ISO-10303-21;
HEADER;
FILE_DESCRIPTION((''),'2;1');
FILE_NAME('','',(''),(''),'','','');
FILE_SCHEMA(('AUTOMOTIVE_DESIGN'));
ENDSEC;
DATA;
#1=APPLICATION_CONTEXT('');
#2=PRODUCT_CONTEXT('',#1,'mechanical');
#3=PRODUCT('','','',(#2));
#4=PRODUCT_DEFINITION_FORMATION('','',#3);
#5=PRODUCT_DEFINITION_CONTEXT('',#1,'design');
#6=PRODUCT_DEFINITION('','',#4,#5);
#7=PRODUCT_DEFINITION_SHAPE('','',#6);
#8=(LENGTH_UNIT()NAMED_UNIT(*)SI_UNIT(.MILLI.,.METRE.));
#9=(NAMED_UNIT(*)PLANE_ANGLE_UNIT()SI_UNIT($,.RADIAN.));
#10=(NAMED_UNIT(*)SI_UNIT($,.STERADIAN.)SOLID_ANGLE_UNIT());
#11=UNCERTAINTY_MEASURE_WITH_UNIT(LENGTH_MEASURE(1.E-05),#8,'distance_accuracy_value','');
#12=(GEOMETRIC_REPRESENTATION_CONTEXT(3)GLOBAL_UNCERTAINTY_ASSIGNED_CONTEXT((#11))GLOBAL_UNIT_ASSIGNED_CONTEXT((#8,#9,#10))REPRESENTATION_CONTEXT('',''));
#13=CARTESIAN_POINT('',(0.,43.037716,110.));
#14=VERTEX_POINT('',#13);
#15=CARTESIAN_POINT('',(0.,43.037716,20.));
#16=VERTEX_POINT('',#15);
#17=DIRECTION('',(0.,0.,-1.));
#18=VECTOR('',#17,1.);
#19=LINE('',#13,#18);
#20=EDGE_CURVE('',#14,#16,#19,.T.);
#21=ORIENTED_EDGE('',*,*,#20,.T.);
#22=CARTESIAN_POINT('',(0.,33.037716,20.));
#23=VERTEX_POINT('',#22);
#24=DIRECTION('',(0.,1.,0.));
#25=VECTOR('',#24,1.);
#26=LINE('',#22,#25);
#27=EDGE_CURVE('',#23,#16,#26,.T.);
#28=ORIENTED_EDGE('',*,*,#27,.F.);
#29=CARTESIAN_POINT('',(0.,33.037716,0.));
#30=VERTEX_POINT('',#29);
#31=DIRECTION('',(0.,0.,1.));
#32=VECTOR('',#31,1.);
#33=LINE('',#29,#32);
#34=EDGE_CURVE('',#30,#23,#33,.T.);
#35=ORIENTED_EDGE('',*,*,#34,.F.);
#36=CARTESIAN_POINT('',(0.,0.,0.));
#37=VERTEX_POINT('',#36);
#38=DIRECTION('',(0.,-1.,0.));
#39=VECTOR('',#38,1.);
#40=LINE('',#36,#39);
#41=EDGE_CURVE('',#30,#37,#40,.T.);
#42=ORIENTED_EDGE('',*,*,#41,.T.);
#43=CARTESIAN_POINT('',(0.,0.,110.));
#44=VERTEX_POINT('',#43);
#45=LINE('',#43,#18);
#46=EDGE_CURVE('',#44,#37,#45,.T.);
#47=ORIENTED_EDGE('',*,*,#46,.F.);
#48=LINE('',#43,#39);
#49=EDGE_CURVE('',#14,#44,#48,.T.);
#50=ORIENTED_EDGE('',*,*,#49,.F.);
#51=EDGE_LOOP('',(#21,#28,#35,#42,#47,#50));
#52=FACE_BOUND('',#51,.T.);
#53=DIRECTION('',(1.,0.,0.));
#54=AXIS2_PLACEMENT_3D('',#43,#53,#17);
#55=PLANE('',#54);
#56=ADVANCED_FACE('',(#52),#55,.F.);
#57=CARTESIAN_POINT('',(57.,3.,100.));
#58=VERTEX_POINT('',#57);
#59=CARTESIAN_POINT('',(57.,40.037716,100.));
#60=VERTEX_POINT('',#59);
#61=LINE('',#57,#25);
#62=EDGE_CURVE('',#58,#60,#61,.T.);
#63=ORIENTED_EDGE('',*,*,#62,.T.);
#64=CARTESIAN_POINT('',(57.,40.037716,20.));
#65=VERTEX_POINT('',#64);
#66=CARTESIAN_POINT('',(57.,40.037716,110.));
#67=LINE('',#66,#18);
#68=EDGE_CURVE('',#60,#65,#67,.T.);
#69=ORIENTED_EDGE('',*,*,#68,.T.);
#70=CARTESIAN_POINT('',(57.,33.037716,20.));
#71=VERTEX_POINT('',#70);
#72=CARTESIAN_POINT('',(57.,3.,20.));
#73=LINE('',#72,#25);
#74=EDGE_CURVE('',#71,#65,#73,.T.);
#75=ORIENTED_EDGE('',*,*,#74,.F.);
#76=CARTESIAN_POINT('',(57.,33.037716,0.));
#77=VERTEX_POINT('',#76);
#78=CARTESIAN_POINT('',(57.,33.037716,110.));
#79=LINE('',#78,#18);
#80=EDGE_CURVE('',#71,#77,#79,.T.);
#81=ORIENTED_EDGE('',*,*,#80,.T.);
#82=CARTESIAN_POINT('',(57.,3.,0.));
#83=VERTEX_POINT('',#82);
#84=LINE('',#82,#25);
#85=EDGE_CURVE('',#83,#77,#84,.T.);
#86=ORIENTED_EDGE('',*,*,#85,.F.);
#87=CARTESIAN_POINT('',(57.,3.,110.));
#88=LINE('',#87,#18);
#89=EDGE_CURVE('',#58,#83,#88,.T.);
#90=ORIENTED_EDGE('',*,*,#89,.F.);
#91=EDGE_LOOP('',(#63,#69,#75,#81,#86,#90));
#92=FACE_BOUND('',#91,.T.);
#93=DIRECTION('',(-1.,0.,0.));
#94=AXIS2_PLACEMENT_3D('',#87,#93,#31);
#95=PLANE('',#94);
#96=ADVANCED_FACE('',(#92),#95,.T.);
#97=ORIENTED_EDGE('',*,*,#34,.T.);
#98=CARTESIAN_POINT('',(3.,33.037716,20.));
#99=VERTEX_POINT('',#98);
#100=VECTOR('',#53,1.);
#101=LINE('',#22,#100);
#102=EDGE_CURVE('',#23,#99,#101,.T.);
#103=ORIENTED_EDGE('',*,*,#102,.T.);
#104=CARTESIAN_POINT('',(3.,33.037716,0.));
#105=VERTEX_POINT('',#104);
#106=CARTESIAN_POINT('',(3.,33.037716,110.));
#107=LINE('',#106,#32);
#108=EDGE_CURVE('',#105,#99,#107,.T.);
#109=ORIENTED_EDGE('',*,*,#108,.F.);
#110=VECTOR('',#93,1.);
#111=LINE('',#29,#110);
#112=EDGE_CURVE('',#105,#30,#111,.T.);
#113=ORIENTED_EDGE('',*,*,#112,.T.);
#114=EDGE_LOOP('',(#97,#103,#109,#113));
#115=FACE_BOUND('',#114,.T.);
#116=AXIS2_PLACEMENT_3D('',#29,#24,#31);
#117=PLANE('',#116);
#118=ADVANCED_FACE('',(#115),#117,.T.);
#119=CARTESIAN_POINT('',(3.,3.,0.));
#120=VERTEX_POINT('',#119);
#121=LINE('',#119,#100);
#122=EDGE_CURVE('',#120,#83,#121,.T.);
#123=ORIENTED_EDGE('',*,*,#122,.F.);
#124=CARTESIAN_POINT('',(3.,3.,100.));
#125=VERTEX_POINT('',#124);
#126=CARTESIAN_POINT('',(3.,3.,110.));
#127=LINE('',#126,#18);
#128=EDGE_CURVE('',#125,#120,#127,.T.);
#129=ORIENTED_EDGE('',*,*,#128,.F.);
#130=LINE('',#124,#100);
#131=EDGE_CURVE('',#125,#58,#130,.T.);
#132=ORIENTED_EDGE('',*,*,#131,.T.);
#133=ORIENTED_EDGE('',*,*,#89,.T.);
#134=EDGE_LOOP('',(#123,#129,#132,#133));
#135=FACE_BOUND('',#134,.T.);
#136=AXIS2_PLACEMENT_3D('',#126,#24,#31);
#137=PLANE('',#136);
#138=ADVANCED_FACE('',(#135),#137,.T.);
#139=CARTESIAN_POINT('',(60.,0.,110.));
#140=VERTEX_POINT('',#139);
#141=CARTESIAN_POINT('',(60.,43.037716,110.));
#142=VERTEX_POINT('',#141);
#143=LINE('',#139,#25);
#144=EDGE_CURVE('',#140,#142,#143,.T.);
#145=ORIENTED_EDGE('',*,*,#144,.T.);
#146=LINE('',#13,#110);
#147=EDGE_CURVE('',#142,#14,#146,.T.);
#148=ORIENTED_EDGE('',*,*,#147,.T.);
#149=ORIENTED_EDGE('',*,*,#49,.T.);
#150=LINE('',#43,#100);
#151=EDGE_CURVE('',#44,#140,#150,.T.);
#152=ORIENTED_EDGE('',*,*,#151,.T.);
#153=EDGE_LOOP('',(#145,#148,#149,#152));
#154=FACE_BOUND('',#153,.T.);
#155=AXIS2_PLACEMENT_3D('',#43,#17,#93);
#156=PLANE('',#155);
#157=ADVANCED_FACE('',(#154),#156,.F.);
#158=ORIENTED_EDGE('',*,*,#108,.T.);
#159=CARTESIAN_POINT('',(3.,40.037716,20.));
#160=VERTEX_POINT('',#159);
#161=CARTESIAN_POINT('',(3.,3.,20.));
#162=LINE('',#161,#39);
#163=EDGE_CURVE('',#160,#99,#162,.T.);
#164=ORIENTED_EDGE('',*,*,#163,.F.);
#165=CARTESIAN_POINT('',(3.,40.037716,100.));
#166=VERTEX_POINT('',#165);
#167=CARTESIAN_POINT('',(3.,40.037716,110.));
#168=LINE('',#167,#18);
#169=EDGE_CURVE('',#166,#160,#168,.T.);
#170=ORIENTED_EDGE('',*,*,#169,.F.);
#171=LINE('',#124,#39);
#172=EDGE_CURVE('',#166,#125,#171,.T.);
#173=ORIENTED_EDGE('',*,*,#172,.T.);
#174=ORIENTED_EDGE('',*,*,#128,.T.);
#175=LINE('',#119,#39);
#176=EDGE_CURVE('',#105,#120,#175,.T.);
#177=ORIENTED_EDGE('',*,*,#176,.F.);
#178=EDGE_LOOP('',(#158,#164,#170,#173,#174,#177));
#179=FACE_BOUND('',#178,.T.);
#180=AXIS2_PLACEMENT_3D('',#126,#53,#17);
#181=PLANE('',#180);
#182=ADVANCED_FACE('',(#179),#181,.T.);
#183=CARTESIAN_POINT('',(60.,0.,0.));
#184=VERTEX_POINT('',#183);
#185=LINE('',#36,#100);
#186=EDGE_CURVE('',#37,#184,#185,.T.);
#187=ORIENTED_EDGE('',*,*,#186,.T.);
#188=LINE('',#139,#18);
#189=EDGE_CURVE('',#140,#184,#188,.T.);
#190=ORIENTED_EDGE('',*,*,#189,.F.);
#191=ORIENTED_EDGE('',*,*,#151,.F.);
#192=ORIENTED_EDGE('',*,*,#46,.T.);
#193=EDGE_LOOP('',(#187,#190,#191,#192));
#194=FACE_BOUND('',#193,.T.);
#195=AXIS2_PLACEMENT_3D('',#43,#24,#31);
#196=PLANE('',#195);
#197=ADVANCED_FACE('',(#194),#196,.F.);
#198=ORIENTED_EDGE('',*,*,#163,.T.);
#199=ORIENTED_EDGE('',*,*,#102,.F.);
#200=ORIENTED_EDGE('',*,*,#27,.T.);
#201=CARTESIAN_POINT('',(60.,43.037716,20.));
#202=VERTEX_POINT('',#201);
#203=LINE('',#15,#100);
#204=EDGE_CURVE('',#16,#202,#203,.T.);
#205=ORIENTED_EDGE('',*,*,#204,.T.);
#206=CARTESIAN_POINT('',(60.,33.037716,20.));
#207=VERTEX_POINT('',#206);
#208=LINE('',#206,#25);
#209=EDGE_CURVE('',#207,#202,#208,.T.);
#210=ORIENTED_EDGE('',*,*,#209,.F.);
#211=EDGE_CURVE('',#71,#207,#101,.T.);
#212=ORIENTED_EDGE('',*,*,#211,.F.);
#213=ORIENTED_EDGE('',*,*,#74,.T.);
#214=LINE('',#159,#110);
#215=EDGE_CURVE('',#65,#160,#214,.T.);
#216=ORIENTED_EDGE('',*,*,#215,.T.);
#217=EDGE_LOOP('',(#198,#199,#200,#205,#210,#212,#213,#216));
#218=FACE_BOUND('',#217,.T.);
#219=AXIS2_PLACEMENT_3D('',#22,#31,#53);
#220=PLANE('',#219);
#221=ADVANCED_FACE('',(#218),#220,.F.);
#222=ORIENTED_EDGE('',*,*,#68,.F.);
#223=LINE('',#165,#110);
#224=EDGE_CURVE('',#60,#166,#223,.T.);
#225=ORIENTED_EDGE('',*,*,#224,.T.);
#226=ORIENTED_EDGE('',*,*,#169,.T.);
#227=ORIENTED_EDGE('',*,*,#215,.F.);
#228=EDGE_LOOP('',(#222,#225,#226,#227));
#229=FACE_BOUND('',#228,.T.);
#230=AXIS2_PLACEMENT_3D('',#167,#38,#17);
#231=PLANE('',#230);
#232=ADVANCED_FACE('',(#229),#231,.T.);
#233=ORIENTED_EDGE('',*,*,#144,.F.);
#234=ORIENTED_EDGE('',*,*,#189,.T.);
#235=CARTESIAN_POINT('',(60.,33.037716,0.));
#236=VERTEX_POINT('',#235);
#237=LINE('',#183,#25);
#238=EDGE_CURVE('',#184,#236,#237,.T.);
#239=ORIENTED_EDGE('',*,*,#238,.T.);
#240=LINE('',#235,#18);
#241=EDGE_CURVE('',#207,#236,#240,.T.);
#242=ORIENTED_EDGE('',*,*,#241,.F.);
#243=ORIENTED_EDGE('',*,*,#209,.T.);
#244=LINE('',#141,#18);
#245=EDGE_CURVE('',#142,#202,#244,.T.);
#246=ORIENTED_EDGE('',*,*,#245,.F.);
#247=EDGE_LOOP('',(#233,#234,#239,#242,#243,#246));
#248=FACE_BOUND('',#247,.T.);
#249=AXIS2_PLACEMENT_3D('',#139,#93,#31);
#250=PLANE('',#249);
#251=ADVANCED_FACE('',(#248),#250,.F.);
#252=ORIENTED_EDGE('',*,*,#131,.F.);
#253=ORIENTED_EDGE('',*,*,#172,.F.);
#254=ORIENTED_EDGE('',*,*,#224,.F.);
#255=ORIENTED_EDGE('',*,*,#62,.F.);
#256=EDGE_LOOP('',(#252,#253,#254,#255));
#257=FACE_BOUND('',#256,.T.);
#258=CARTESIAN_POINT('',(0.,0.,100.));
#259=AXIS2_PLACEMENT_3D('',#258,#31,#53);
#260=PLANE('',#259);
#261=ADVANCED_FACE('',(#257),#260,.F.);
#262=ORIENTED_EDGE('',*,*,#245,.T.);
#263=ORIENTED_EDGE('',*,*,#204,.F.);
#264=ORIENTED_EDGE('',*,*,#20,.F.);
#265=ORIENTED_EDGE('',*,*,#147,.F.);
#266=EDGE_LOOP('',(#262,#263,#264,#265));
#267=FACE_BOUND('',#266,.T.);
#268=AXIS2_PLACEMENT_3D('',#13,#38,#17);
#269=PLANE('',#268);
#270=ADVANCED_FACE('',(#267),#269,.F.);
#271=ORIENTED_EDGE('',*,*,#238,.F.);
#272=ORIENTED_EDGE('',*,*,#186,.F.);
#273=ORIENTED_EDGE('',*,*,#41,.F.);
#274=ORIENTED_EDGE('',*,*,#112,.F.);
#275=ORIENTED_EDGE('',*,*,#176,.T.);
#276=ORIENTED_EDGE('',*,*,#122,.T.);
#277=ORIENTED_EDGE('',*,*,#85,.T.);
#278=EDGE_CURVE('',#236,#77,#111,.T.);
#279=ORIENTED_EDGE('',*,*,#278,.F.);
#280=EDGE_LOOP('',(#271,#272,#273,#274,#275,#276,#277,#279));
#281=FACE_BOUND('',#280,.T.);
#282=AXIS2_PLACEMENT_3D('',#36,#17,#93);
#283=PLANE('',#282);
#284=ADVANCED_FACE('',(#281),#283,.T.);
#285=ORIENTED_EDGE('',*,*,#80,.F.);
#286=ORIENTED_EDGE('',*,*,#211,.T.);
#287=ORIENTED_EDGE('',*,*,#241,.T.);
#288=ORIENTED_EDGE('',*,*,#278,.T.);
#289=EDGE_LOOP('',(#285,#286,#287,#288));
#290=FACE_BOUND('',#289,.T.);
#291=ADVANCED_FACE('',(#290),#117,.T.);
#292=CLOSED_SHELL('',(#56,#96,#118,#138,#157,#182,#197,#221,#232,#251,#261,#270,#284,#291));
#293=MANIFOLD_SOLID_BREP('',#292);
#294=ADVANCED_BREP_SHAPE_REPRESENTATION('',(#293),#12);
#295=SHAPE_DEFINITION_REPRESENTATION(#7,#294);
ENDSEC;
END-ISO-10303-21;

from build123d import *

# Parameters (mm, degrees)
IZIM1_W                     = 60
IZIM1_H                     = 43.037715622
IZIM1_W_2                   = 54
IZIM1_H_2                   = 37.037715622
Y_KSEKLIK_EKSTR_ZYON1_DEPTH = 110
IZIM2_W                     = 60
IZIM2_H                     = 20
KES_EKSTR_ZYON1_DEPTH       = 10
IZIM3_W                     = 60
IZIM3_H                     = 43.037715622
Y_KSEKLIK_EKSTR_ZYON2_DEPTH = 10


with BuildPart() as part:
    # Çizim1 → Yükseklik-Ekstrüzyon1 (new body)
    with BuildSketch(Plane.XY):
        with Locations((30, 21.518857811)):
            Rectangle(IZIM1_W, IZIM1_H)
        with Locations((30, 21.518857811)):
            Rectangle(IZIM1_W_2, IZIM1_H_2, mode=Mode.SUBTRACT)
    extrude(amount=Y_KSEKLIK_EKSTR_ZYON1_DEPTH)

    # Çizim2 → Kes-Ekstrüzyon1 (cut)
    with BuildSketch(Plane(origin=(0, 43.037715622, 0), x_dir=(1, 0, 0), z_dir=(0, 1, 0))):
        with Locations((30, -10)):
            Rectangle(IZIM2_W, IZIM2_H)
    extrude(amount=-KES_EKSTR_ZYON1_DEPTH, mode=Mode.SUBTRACT)

    # Çizim3 → Yükseklik-Ekstrüzyon2 (add)
    with BuildSketch(Plane.XY.offset(110)):
        with Locations((30, 21.518857811)):
            Rectangle(IZIM3_W, IZIM3_H)
    extrude(amount=-Y_KSEKLIK_EKSTR_ZYON2_DEPTH)


solid = part.part
